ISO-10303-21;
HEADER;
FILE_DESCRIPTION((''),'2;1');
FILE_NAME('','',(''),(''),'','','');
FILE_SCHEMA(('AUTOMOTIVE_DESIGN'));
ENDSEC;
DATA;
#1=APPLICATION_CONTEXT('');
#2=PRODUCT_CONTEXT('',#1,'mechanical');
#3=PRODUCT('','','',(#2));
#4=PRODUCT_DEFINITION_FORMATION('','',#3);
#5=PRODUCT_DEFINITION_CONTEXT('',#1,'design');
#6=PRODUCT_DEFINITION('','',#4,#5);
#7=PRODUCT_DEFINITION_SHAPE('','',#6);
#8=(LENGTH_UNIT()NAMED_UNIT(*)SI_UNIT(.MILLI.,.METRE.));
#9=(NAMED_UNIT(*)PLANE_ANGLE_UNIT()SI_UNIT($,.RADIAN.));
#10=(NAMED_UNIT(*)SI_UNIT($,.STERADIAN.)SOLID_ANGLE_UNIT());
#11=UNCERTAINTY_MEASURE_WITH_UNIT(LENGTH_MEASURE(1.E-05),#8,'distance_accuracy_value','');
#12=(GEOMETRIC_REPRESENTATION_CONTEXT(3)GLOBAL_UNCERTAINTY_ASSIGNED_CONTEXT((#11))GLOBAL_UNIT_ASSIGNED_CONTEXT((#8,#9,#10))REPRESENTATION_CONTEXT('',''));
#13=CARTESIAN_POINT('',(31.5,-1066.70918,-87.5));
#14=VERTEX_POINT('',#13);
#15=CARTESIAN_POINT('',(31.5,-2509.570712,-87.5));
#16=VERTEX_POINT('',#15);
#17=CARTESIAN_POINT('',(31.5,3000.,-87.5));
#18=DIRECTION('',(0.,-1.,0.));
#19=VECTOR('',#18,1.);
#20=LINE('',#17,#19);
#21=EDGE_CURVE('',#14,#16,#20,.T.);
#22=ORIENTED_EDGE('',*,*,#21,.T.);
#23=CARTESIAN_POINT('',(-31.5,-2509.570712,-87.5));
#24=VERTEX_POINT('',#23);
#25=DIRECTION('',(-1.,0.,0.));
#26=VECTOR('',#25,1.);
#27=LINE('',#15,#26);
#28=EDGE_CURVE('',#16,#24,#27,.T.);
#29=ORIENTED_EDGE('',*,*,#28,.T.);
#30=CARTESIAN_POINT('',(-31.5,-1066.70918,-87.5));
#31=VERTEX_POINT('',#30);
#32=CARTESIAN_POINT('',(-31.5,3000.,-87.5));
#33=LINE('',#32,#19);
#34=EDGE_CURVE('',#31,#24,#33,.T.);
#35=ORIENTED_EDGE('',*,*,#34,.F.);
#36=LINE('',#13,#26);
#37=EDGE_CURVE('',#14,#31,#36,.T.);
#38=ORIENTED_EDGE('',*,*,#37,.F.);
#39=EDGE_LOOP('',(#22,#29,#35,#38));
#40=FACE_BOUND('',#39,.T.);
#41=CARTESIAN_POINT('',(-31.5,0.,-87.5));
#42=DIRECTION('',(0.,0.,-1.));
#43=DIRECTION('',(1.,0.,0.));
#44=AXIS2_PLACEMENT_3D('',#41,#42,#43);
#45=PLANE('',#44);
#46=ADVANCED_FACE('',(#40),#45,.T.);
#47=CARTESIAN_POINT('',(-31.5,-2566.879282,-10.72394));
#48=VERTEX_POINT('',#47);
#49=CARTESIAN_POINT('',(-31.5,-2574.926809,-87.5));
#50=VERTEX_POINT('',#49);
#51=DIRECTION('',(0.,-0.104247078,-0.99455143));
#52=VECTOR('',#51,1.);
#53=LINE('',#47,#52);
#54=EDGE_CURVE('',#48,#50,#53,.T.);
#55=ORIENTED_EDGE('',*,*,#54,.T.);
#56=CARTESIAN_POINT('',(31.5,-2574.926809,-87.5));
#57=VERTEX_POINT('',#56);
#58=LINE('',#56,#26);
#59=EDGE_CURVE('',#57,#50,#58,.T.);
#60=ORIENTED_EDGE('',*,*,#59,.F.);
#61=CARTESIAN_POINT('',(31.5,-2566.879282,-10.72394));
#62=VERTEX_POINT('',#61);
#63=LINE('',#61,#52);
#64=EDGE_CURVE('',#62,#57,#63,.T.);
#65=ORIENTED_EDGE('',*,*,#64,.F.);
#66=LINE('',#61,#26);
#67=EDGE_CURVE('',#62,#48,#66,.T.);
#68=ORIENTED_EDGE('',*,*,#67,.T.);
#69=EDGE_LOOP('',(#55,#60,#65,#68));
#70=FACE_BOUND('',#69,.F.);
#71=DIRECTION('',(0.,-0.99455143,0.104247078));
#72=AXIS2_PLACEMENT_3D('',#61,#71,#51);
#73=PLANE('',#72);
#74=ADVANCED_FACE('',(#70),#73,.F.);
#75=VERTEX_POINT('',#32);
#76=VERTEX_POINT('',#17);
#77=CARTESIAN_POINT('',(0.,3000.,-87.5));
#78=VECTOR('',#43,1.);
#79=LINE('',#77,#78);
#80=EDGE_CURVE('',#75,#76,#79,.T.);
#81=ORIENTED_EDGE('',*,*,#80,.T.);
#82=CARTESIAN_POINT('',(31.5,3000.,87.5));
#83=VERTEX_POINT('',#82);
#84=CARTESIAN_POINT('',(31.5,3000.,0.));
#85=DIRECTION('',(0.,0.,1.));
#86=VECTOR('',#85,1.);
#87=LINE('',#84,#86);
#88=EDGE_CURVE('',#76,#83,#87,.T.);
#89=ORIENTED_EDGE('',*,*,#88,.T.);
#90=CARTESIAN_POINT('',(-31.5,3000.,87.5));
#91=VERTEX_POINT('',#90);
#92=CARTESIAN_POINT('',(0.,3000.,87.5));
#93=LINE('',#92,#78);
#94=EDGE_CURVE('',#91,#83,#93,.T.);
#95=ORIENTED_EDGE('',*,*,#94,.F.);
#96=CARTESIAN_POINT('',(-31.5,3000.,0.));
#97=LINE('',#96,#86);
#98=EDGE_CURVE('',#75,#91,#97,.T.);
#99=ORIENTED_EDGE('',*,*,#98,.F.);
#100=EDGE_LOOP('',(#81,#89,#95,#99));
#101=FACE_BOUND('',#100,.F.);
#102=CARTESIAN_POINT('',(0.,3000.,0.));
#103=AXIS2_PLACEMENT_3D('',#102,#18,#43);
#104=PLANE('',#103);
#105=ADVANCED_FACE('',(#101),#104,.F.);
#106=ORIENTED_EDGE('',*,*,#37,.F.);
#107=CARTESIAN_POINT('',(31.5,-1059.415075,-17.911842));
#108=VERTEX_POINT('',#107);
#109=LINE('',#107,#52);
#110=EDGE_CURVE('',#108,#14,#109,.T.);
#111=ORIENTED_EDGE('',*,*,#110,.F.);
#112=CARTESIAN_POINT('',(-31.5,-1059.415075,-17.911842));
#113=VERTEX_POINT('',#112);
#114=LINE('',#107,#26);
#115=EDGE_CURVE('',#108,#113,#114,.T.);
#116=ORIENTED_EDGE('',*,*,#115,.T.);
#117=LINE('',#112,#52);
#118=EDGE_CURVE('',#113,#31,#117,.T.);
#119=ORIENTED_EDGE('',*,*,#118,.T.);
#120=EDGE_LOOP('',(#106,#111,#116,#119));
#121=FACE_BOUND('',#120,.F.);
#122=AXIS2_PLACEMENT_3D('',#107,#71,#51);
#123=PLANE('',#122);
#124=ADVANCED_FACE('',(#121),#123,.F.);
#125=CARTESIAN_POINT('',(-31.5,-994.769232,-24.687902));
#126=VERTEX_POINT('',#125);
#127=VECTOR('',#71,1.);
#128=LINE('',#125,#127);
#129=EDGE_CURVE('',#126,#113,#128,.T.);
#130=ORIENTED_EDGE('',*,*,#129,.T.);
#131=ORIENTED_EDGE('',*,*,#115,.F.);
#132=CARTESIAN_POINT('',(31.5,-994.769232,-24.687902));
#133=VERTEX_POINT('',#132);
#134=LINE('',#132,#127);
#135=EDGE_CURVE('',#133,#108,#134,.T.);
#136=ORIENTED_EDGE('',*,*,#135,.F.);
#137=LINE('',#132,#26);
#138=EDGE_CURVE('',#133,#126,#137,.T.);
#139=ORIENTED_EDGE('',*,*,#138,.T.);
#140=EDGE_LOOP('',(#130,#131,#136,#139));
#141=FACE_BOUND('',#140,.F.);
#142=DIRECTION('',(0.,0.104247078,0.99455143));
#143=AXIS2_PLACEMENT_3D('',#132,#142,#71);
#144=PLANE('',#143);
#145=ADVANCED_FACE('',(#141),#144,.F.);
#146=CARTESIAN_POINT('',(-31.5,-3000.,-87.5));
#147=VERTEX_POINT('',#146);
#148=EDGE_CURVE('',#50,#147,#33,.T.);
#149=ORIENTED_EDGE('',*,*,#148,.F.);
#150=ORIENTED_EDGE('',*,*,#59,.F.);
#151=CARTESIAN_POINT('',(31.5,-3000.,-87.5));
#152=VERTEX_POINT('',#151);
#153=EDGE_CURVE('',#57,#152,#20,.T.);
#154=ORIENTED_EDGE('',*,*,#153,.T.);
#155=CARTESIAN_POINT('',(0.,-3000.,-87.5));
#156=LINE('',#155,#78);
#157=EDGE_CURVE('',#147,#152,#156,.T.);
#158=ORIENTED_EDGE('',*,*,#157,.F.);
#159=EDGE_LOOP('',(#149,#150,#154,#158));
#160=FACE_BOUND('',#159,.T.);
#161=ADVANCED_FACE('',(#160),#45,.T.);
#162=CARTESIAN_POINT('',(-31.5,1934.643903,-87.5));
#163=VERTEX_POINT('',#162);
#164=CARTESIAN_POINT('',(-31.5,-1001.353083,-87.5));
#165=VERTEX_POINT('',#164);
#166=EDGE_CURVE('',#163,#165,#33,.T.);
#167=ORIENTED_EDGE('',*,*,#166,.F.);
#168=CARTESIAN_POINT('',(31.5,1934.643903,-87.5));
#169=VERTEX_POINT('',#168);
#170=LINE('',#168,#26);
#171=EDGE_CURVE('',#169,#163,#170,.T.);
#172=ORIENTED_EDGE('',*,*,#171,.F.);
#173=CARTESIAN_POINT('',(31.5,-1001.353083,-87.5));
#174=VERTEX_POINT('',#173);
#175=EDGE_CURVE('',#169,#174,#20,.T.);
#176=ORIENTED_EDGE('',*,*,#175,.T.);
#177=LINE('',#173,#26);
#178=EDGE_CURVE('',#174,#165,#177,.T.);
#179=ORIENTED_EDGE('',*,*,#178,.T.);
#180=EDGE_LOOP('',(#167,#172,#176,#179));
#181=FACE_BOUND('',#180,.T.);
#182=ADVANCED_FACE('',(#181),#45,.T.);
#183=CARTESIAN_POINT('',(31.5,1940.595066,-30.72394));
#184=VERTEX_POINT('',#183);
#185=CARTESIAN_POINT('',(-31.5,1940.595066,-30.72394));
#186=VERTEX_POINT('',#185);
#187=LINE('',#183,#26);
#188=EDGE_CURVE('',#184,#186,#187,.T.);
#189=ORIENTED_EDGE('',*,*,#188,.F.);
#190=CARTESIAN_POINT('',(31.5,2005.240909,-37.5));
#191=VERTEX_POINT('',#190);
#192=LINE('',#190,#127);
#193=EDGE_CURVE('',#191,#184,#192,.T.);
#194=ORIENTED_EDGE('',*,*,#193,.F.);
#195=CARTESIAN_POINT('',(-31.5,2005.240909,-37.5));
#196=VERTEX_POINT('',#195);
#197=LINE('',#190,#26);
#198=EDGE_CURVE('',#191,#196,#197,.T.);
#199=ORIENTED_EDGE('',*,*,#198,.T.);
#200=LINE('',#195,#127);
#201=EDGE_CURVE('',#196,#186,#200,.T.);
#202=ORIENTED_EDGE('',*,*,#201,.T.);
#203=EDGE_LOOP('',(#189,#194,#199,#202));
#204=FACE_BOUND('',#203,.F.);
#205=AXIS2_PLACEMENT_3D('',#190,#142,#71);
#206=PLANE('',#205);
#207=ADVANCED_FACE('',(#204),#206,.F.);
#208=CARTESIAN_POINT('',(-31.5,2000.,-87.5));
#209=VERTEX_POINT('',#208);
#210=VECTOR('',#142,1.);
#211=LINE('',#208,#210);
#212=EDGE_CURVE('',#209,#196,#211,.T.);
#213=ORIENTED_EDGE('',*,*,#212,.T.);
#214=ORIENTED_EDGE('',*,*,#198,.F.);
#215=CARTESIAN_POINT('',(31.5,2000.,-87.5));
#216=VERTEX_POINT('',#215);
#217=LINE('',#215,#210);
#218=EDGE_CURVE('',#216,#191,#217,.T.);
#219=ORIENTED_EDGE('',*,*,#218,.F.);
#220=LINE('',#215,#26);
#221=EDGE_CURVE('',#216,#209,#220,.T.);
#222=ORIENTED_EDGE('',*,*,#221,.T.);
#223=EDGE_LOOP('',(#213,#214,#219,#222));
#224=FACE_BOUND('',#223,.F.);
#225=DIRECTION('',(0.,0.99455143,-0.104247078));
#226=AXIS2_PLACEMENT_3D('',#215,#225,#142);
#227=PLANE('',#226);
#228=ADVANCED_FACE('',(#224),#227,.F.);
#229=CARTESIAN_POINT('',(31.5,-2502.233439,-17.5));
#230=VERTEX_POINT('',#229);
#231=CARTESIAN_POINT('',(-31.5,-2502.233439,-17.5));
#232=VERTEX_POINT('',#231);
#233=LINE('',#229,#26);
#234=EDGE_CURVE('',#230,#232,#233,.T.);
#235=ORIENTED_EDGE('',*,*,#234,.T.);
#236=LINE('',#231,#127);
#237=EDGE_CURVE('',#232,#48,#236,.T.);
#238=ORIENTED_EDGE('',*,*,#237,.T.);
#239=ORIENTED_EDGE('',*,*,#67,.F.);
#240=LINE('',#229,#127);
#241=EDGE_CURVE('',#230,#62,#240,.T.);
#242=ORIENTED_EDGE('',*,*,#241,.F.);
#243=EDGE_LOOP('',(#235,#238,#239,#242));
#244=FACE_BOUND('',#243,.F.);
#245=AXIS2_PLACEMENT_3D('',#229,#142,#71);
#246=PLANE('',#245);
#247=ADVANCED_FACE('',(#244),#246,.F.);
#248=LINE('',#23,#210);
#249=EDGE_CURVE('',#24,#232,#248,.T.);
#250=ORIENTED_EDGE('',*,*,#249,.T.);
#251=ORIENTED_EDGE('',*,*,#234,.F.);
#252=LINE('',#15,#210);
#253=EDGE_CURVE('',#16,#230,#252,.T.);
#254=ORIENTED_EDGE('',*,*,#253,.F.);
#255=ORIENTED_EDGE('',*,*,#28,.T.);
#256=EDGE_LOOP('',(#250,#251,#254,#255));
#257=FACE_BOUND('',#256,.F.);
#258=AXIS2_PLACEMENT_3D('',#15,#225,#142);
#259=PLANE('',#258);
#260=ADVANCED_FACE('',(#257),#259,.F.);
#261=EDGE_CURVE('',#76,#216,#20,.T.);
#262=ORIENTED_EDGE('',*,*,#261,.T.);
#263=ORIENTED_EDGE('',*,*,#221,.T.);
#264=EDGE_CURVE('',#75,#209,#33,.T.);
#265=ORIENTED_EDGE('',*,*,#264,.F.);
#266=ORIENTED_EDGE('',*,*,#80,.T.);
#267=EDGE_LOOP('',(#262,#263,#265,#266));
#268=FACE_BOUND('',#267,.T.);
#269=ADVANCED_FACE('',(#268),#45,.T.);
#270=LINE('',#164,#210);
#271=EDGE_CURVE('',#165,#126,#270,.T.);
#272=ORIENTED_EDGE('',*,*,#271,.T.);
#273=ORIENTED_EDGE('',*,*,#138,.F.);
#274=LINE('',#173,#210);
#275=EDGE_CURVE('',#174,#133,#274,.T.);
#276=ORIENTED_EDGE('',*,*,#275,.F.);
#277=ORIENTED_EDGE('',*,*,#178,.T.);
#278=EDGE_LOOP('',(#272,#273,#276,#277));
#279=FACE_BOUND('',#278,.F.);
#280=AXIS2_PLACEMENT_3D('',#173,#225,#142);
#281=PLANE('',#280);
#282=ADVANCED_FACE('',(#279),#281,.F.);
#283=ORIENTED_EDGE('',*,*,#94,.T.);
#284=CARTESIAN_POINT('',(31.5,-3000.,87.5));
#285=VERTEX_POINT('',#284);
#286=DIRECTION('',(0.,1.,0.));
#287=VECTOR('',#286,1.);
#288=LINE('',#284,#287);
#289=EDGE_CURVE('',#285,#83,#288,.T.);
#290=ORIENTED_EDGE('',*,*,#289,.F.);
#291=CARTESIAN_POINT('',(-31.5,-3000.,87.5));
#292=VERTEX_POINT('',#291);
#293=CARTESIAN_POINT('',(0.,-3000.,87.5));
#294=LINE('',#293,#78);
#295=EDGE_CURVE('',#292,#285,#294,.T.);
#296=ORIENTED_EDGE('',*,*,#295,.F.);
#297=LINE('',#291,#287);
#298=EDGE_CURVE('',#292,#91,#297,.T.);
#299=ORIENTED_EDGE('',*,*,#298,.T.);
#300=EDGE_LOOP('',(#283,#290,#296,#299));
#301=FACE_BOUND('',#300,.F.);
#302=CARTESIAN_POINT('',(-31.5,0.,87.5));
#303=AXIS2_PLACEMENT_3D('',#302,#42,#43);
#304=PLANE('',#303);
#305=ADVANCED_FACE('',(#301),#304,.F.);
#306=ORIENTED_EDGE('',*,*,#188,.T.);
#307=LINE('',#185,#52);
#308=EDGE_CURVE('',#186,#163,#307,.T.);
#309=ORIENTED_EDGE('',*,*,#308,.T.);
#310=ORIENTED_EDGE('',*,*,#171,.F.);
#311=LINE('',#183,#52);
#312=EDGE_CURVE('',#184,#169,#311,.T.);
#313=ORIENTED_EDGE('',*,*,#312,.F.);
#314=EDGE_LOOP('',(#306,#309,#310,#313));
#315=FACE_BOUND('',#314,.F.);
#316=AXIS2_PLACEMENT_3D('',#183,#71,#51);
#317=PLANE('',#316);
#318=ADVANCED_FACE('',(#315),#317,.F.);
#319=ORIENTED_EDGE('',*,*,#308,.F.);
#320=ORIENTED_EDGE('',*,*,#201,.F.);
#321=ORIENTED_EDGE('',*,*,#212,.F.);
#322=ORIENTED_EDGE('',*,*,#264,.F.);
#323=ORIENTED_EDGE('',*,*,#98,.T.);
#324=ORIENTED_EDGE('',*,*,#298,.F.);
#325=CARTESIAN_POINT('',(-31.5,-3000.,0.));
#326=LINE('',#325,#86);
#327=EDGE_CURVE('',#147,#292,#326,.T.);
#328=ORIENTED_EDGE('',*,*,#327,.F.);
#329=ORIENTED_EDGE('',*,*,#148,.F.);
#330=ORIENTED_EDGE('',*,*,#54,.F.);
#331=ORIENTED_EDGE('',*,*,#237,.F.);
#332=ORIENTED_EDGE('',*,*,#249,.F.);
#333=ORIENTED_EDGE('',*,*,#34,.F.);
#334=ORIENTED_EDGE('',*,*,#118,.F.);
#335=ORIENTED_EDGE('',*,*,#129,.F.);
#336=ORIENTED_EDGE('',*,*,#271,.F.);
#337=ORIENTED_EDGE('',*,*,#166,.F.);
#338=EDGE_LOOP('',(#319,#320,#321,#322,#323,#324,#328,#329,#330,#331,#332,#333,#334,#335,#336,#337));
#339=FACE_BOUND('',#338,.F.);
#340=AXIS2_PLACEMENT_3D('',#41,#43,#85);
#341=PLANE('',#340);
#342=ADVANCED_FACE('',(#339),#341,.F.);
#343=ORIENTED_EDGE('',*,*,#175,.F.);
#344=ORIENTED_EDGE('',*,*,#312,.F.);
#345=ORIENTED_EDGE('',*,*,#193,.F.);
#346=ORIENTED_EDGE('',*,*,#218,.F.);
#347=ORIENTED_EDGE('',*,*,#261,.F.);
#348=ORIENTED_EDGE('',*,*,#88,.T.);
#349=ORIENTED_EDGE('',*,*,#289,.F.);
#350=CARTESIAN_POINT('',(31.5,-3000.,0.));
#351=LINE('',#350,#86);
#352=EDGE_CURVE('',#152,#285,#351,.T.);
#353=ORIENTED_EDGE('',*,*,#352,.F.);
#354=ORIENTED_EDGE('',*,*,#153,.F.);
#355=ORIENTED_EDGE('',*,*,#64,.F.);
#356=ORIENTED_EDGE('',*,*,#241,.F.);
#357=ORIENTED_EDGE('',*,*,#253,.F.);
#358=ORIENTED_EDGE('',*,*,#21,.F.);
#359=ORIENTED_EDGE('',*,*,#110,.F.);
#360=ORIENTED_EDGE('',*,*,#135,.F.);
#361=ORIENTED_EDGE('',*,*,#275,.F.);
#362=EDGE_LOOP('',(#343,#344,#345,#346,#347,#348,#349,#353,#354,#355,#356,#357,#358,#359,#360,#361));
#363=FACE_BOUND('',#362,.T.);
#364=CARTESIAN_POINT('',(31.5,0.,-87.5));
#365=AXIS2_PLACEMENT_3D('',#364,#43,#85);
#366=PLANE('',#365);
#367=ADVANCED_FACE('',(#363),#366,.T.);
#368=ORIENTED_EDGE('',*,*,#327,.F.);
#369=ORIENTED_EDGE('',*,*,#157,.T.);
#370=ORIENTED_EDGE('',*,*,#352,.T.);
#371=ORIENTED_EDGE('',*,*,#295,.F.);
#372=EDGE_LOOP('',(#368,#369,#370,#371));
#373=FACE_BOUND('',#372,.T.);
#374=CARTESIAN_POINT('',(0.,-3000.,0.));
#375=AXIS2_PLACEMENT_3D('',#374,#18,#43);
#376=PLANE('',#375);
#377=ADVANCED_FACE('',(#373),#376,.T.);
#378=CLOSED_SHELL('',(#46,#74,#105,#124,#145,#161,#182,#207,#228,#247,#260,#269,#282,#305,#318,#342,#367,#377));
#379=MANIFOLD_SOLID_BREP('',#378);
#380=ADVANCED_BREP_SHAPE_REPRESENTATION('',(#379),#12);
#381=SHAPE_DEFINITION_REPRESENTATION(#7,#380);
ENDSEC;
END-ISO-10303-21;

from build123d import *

# Parameters (mm, degrees)
F0_W     = 63
F0_H     = 175
F1_DEPTH = 3000
F3_DEPTH = 63


with BuildPart() as f1:
    # F0 (on Front) → F1 (new body, symmetric)
    with BuildSketch(Plane.XZ):
        Rectangle(F0_W, F0_H)
    extrude(amount=F1_DEPTH, both=True)

    # F2 (on face) → F3 (cut, through all)
    with BuildSketch(Plane.YZ.offset(31.5)):
        Polygon((1934.643902725, -87.5), (2000, -87.5), (2005.2409093466, -37.5), (1940.5950664007, -30.7239399497), align=None)
        Polygon((-1066.7091798263, -87.5), (-1001.3530825513, -87.5), (-994.7692323273, -24.6879020552), (-1059.4150752732, -17.9118420048), align=None)
        Polygon((-2574.926809249, -87.5), (-2509.570711974, -87.5), (-2502.2334388888, -17.5), (-2566.8792818347, -10.7239399497), align=None)
    extrude(amount=-F3_DEPTH, mode=Mode.SUBTRACT)


solid = f1.part
